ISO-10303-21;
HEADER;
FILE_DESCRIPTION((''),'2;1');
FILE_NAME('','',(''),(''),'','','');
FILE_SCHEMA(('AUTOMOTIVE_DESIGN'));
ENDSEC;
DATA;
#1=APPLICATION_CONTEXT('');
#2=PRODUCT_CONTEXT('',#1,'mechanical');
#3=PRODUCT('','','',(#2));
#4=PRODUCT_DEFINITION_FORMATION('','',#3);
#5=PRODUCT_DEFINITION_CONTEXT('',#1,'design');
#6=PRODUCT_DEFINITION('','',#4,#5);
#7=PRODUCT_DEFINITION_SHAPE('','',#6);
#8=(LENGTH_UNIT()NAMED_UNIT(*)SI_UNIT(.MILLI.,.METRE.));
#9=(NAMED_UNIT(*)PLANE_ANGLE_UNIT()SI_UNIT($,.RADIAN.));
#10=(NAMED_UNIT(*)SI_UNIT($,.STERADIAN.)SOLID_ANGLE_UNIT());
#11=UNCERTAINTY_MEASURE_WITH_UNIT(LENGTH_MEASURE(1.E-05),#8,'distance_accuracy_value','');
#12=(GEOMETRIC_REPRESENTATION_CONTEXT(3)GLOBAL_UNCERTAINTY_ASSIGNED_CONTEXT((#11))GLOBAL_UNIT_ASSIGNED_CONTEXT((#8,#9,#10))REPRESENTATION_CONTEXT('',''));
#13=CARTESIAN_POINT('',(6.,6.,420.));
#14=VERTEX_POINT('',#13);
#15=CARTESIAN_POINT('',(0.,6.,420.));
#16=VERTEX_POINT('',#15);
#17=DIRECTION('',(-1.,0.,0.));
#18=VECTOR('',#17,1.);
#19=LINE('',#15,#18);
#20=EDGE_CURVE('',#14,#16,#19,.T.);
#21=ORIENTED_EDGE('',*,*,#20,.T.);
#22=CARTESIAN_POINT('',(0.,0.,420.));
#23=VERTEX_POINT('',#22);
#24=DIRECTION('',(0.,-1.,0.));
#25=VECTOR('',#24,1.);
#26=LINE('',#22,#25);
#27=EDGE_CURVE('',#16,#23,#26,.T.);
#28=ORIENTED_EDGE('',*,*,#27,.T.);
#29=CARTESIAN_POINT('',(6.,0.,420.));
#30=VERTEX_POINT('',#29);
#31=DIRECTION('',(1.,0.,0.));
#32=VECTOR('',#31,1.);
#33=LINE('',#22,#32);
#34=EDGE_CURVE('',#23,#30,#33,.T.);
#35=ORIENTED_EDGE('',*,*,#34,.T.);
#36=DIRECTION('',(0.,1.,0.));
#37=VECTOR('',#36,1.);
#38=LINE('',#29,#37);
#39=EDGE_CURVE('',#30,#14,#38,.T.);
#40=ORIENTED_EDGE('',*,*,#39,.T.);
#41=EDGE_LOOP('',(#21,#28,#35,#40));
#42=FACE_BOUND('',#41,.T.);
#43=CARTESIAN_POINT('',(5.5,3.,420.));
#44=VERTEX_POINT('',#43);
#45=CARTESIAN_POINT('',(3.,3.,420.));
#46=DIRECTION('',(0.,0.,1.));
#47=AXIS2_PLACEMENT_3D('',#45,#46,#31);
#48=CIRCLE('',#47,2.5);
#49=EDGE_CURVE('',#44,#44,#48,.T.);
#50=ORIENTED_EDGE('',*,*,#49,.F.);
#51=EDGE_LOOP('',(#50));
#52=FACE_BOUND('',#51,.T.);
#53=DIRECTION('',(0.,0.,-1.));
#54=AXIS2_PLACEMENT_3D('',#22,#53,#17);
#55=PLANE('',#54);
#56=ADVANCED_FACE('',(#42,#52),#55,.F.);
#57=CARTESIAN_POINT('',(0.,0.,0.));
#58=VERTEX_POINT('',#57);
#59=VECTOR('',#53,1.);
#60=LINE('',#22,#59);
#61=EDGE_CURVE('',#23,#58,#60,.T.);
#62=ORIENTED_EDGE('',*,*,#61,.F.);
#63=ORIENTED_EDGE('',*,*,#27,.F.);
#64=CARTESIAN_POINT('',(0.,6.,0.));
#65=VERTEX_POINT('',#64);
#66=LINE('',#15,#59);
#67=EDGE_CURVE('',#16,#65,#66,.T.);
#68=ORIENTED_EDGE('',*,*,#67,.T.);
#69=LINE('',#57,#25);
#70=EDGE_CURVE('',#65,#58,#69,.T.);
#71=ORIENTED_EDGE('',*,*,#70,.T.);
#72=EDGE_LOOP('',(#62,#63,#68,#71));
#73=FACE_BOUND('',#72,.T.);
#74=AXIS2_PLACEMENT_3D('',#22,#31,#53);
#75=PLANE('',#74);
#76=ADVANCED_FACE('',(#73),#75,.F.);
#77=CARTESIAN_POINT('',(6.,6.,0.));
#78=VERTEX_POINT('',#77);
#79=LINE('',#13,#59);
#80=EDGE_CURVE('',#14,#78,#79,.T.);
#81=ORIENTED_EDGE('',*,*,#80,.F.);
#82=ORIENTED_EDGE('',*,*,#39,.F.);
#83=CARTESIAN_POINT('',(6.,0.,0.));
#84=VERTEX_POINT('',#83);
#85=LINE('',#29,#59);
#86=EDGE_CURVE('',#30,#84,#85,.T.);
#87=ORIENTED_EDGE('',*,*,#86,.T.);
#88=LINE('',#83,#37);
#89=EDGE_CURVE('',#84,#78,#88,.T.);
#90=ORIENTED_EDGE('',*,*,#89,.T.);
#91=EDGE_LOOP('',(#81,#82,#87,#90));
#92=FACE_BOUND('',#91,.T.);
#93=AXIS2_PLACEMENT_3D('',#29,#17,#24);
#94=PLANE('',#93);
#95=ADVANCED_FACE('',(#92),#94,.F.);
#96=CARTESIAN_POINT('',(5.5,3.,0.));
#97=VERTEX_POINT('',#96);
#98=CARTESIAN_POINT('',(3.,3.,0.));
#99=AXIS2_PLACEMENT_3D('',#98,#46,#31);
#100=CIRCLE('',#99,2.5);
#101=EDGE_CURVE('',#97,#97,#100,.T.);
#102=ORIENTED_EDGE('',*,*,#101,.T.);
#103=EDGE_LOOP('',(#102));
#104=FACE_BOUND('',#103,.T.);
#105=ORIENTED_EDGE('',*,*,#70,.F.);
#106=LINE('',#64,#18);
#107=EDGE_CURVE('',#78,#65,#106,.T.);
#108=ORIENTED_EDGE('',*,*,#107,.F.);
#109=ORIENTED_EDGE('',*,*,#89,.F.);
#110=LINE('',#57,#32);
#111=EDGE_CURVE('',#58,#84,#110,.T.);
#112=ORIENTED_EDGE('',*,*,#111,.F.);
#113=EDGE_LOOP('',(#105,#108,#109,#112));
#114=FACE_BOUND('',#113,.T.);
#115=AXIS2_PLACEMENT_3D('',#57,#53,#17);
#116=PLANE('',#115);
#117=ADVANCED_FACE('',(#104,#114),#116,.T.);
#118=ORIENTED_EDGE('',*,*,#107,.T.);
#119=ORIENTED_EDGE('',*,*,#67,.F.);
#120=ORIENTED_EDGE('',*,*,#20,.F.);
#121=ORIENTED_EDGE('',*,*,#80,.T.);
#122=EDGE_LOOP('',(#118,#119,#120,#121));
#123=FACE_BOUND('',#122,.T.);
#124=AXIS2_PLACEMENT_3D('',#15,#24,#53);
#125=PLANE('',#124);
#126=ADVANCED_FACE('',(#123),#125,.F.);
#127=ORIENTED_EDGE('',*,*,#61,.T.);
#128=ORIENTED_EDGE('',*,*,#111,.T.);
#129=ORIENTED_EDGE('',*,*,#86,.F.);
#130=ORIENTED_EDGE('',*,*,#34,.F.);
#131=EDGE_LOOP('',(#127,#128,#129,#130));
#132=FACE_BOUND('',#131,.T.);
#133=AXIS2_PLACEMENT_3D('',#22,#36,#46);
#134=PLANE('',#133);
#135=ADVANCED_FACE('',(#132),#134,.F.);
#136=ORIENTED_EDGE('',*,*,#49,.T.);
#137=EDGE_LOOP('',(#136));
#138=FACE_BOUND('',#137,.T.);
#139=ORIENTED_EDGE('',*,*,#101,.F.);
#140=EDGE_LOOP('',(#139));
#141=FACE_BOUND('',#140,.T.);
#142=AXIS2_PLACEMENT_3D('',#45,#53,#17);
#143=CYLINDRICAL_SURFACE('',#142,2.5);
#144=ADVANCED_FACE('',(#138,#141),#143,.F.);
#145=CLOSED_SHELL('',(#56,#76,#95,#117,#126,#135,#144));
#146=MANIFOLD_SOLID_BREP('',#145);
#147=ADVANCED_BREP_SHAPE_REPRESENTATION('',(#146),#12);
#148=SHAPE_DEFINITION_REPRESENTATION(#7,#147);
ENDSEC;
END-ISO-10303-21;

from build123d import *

# Parameters (mm, degrees)
SKETCH1_W           = 6
SKETCH1_H           = 6
SKETCH1_R           = 2.5
BOSS_EXTRUDE1_DEPTH = 420


with BuildPart() as part:
    # Sketch1 → Boss-Extrude1 (new body)
    with BuildSketch(Plane.XY):
        with Locations((3, 3)):
            Rectangle(SKETCH1_W, SKETCH1_H)
        with Locations((3, 3)):
            Circle(SKETCH1_R, mode=Mode.SUBTRACT)
    extrude(amount=BOSS_EXTRUDE1_DEPTH)


solid = part.part
